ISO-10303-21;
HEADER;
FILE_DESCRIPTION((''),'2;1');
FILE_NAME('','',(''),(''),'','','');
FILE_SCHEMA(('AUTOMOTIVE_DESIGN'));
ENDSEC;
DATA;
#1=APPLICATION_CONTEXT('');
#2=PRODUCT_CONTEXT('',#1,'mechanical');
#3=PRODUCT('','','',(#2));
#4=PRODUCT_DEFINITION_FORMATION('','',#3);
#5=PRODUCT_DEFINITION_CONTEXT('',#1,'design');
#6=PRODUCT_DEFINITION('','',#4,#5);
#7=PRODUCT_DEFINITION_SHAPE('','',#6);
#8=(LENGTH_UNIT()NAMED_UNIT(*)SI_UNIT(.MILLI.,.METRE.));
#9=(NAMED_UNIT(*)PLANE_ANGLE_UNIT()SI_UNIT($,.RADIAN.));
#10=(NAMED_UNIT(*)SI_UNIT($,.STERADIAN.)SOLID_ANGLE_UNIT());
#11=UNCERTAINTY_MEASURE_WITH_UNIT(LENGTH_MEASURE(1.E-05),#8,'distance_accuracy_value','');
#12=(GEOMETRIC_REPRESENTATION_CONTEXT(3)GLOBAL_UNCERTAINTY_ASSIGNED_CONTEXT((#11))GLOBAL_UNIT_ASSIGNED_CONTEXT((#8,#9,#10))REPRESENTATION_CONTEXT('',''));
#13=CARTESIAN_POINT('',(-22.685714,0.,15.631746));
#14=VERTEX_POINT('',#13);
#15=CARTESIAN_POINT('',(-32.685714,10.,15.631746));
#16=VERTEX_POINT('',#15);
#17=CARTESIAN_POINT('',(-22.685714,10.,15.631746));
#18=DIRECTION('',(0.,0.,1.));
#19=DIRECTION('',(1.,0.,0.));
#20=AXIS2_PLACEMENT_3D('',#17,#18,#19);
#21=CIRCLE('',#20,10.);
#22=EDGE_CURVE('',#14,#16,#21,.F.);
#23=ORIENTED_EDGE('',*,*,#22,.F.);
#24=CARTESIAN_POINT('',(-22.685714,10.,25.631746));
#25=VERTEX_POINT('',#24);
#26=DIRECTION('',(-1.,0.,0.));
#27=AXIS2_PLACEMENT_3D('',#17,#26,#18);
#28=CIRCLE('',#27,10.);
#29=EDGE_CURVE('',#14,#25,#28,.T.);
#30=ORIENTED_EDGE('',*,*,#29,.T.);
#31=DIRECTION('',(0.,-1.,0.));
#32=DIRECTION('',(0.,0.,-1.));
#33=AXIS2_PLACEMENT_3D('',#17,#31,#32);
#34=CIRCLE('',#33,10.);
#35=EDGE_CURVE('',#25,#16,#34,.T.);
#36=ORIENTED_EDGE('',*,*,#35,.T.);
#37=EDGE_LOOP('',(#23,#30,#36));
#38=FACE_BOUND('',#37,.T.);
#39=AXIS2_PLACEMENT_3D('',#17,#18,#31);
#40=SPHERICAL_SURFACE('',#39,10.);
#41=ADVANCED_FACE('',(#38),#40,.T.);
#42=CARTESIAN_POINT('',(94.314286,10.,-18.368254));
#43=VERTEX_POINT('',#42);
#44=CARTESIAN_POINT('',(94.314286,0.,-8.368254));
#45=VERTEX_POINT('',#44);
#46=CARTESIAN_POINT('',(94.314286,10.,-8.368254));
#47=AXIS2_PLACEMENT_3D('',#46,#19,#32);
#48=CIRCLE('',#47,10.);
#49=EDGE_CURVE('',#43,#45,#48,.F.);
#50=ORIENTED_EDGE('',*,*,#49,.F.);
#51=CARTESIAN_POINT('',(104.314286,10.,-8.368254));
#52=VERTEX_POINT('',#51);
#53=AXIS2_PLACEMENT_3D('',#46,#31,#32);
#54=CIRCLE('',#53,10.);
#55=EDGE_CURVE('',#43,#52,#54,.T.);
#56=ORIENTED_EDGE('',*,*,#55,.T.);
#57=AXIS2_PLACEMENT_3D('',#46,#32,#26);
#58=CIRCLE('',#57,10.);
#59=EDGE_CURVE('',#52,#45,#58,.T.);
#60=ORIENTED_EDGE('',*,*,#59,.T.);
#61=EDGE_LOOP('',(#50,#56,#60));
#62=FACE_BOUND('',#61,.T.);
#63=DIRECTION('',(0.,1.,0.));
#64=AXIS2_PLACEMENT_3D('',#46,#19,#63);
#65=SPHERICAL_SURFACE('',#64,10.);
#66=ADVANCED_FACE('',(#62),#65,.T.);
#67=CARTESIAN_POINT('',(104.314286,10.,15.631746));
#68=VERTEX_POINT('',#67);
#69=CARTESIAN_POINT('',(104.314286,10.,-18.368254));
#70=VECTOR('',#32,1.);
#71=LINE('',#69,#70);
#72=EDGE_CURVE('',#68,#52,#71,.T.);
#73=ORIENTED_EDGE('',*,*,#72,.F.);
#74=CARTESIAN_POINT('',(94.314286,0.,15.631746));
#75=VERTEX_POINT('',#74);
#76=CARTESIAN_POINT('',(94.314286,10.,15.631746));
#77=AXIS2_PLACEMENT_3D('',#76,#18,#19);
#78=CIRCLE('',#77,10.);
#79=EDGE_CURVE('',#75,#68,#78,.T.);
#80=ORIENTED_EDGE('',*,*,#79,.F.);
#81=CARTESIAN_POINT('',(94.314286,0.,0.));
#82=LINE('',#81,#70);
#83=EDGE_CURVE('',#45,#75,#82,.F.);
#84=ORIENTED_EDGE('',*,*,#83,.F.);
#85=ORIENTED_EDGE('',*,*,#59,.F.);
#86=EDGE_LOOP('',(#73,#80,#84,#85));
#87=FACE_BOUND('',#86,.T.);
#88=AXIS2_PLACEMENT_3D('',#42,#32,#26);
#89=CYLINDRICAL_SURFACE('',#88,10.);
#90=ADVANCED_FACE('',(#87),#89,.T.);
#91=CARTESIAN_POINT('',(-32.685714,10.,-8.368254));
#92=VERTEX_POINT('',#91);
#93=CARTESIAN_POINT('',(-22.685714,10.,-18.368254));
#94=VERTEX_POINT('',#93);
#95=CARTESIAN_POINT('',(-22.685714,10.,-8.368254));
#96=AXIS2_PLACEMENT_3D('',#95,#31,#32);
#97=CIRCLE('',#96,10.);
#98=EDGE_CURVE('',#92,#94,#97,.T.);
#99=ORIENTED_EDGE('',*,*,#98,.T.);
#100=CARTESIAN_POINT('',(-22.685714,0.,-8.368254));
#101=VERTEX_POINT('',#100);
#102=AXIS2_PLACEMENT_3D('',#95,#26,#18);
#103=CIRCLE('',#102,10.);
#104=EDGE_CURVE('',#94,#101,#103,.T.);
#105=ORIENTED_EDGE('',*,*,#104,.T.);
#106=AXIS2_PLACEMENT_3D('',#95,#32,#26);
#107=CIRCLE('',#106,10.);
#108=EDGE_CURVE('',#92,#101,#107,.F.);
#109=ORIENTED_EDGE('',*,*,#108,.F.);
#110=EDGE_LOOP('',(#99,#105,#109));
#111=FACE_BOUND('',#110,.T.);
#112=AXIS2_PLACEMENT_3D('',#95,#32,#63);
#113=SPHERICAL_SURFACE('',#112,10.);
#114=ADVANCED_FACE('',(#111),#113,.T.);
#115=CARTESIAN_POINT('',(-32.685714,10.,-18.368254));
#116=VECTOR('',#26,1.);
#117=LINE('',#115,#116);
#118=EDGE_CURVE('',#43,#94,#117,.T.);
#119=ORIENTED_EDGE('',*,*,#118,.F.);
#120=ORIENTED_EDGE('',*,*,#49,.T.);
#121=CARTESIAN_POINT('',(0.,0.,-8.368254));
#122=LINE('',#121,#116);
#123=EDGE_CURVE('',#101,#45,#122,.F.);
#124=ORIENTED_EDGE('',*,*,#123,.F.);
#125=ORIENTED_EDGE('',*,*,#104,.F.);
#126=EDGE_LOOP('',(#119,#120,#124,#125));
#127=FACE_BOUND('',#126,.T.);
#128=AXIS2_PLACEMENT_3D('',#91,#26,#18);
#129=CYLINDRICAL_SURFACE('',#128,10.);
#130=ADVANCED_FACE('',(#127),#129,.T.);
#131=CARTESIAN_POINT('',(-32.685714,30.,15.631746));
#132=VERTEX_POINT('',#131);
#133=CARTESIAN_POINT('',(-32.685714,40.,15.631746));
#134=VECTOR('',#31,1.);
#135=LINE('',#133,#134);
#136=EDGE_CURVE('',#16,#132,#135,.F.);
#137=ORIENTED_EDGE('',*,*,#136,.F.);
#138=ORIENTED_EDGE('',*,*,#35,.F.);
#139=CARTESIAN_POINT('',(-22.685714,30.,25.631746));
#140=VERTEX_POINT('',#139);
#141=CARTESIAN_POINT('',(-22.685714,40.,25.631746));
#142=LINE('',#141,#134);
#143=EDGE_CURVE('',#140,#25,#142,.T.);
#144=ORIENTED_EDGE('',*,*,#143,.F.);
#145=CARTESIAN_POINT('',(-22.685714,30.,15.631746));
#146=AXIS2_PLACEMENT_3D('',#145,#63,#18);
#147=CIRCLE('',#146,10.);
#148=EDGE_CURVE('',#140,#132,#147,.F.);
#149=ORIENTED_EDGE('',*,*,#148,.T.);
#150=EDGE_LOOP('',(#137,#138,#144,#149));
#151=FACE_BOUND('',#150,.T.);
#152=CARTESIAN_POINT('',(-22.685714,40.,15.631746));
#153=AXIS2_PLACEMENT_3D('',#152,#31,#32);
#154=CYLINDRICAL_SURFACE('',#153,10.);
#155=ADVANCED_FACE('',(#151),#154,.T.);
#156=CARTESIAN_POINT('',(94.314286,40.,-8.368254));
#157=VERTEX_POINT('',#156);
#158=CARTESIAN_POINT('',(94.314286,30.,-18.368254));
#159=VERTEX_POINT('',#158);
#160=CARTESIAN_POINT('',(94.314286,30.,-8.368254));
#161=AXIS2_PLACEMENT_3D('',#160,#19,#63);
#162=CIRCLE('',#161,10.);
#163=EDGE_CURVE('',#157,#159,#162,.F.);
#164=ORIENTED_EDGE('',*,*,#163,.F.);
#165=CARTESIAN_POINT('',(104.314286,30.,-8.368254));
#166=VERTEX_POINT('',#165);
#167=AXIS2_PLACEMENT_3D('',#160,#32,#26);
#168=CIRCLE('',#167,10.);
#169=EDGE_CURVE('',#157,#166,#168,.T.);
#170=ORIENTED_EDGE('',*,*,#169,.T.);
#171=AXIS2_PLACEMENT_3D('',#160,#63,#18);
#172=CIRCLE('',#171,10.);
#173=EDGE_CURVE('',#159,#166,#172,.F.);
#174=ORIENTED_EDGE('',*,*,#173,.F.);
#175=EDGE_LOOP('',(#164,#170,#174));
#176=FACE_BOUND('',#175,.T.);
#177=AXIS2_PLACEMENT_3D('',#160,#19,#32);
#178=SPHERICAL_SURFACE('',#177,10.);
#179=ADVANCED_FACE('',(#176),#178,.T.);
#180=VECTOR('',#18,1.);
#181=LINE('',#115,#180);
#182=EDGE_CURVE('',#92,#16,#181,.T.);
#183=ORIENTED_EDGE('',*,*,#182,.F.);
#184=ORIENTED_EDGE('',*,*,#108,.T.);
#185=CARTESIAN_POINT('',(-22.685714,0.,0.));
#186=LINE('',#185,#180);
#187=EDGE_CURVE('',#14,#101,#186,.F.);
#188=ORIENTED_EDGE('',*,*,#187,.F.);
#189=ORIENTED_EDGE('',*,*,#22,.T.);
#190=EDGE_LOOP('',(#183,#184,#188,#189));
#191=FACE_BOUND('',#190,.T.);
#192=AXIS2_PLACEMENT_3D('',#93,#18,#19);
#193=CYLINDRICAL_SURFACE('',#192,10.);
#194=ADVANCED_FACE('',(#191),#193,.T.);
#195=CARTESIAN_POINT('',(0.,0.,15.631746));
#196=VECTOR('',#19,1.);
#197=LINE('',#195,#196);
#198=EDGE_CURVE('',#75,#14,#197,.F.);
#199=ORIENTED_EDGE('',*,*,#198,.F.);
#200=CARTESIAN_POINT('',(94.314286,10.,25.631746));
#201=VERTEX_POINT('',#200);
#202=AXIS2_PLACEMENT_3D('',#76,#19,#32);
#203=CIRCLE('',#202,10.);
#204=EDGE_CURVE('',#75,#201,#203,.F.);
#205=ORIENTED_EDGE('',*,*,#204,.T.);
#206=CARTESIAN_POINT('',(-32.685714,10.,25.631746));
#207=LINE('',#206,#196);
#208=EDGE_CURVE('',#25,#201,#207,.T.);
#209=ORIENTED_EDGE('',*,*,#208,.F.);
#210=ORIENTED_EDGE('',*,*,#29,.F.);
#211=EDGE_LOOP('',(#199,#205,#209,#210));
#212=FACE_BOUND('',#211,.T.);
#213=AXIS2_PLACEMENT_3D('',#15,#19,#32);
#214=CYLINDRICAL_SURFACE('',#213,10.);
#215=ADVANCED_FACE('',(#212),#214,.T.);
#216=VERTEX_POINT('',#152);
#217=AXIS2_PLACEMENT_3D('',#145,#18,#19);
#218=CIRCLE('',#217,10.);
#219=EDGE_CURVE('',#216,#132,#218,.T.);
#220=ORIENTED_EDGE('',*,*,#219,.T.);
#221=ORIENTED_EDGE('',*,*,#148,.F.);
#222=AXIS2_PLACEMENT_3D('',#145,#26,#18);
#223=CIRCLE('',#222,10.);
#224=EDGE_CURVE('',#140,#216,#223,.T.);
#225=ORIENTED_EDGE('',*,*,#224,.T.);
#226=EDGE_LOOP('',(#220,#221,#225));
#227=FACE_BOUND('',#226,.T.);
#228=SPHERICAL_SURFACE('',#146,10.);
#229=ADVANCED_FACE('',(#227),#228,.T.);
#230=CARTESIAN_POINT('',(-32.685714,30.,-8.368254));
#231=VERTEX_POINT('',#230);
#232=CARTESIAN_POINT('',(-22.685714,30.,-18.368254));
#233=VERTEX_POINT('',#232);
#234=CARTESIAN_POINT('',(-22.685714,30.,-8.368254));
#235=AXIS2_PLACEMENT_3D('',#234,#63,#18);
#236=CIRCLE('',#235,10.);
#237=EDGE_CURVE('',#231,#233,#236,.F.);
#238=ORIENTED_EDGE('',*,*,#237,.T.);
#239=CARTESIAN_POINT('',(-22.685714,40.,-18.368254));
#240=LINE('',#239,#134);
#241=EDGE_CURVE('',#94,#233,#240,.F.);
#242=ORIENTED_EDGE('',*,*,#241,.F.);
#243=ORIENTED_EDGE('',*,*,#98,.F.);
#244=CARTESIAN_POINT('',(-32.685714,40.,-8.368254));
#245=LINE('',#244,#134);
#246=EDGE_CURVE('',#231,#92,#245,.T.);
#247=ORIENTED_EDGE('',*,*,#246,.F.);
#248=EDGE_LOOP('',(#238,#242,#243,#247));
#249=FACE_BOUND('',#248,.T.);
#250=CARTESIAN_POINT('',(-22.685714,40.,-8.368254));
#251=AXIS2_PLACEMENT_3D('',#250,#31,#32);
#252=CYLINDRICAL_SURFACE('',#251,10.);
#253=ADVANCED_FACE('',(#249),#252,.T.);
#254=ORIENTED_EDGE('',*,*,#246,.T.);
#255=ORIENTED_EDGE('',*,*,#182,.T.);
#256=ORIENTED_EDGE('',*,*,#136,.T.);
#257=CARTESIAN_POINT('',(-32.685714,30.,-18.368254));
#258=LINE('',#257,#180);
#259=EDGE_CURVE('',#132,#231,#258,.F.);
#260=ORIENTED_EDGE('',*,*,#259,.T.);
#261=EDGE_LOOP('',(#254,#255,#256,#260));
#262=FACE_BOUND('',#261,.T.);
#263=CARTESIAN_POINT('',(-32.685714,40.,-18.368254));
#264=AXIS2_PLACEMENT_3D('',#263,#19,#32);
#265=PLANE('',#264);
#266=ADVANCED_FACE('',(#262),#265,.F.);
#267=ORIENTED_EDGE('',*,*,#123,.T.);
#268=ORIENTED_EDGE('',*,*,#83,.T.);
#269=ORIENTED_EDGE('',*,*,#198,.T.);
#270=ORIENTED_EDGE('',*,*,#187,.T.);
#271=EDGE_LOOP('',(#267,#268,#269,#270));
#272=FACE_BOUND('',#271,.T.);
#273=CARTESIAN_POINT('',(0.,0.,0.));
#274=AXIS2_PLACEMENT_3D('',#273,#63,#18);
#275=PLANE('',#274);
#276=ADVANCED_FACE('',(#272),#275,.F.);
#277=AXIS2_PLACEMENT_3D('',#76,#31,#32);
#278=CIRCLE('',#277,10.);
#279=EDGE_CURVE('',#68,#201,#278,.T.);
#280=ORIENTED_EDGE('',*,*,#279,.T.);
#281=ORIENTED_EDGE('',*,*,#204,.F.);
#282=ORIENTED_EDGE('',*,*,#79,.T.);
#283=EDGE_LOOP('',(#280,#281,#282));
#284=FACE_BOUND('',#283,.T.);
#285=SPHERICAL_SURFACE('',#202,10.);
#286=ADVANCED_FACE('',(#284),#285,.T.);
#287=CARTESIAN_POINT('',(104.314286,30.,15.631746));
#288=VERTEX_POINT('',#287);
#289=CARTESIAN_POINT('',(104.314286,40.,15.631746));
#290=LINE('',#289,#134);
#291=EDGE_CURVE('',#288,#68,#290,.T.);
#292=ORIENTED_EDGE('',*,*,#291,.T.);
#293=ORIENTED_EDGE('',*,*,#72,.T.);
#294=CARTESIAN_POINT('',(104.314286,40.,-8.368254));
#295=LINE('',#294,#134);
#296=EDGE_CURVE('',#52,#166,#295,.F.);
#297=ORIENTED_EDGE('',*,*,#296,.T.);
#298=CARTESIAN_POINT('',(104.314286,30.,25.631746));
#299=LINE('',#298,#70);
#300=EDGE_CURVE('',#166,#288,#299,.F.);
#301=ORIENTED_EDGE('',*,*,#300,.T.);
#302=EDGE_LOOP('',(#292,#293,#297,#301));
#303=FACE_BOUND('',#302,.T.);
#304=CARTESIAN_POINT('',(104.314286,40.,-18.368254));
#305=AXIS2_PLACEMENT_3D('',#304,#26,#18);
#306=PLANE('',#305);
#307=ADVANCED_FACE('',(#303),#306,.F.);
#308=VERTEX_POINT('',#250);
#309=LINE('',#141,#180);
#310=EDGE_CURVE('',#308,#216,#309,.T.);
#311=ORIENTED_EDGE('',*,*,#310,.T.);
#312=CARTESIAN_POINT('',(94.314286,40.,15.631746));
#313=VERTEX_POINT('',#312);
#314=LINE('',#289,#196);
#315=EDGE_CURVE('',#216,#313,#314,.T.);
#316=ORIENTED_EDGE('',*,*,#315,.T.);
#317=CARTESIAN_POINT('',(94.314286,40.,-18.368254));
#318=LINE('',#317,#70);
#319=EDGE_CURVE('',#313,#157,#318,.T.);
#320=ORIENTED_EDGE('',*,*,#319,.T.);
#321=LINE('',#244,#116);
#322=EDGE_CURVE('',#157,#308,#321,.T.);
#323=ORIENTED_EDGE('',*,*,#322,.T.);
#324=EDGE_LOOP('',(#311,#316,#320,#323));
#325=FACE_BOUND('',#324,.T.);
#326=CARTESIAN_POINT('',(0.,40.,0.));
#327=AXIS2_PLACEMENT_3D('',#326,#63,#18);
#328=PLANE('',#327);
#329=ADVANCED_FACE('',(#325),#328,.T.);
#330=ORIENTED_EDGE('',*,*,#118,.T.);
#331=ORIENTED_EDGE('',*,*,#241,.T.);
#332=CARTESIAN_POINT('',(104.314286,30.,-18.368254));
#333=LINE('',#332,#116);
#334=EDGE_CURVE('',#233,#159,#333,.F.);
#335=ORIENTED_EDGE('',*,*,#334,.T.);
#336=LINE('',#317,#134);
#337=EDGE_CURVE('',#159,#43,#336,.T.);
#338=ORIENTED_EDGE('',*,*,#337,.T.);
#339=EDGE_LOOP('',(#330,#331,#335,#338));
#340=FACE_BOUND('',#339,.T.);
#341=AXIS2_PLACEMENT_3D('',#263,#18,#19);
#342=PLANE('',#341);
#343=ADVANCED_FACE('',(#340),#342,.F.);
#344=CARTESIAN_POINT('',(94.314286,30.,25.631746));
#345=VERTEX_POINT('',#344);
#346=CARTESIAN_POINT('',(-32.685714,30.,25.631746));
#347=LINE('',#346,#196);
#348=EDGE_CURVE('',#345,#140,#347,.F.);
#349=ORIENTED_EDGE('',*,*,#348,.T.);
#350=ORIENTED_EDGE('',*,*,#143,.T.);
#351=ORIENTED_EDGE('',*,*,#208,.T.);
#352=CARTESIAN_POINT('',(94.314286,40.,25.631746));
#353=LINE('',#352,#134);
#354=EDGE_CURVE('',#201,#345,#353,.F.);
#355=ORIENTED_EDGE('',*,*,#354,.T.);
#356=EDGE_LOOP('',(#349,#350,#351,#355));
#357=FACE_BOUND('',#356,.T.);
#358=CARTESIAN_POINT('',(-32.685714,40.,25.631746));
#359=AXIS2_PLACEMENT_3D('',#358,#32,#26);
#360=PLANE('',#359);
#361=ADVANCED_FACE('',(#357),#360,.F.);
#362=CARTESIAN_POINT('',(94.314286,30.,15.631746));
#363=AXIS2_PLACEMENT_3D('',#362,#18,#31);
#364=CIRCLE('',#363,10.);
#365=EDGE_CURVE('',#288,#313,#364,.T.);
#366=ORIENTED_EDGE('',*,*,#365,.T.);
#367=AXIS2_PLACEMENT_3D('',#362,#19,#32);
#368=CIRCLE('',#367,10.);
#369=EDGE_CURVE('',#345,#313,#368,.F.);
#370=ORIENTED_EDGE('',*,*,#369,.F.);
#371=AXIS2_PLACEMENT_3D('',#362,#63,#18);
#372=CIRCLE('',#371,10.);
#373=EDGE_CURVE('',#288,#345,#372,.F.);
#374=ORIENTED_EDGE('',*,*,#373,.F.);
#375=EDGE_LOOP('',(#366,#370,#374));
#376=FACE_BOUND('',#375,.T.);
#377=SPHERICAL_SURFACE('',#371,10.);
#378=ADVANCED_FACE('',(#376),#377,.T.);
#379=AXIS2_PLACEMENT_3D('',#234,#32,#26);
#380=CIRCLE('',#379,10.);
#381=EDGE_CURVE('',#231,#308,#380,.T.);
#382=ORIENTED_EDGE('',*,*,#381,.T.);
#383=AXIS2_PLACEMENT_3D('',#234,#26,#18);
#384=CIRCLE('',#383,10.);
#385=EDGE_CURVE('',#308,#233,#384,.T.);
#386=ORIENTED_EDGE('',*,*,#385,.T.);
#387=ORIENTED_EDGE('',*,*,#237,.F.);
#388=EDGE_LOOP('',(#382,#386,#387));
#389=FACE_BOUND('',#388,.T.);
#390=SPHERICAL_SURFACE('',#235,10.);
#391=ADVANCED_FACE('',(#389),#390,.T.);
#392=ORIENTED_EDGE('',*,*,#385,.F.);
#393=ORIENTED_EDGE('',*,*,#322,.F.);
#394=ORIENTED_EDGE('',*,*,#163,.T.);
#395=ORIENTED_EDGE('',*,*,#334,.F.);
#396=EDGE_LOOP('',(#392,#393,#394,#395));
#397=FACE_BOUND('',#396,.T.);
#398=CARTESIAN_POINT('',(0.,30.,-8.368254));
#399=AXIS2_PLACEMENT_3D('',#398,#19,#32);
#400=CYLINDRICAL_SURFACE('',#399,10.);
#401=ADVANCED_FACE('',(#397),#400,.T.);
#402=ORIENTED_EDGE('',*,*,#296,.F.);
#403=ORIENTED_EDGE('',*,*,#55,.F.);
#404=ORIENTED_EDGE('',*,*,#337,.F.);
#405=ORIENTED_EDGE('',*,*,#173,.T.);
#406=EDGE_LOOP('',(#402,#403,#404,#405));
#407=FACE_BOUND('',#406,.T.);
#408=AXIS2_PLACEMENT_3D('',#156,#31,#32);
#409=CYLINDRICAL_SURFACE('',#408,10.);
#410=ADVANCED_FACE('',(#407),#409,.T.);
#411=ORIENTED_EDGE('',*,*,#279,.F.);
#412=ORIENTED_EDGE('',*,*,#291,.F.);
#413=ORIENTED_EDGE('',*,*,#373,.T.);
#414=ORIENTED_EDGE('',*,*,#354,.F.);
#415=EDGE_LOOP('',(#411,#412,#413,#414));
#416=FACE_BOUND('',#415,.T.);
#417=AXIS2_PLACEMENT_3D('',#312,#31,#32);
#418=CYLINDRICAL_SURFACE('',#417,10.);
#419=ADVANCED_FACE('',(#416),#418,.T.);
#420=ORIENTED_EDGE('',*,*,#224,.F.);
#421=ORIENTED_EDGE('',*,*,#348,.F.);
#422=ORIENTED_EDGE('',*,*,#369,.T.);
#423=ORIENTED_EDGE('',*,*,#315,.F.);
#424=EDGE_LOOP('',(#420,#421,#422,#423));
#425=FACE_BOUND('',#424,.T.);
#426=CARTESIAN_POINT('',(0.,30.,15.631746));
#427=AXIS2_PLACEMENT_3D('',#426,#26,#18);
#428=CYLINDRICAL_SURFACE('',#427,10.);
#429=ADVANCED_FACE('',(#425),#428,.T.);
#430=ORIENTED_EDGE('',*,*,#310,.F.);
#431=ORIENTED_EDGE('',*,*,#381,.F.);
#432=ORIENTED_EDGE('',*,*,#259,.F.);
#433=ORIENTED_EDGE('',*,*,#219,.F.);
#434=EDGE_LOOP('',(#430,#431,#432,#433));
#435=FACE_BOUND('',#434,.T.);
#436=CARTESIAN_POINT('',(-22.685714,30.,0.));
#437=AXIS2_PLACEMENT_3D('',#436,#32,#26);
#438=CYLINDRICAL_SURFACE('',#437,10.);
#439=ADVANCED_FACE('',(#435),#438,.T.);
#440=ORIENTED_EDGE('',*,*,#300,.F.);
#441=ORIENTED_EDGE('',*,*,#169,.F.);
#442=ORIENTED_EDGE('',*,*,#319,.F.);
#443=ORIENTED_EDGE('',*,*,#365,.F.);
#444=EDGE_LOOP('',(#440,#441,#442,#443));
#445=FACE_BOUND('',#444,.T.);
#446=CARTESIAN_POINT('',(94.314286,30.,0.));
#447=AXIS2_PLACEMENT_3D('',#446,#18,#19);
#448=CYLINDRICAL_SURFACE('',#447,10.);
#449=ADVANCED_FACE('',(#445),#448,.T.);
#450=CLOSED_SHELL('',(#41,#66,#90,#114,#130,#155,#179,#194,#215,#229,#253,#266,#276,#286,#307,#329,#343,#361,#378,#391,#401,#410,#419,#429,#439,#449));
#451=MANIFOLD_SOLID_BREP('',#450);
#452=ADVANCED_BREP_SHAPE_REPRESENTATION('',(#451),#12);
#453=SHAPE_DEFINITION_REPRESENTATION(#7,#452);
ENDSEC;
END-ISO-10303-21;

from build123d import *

# Parameters (mm, degrees)
SKETCH1_W           = 137
SKETCH1_H           = 44
BOSS_EXTRUDE1_DEPTH = 40
FILLET1_R           = 10


with BuildPart() as part:
    # Sketch1 → Boss-Extrude1 (new body)
    with BuildSketch(Plane(origin=(0, 0, 0), x_dir=(1, 0, 0), z_dir=(0, 1, 0))):
        with Locations((35.814285714, -3.631746032)):
            Rectangle(SKETCH1_W, SKETCH1_H)
    extrude(amount=BOSS_EXTRUDE1_DEPTH)

    # Fillet1
    fillet1_edges = [part.edges().sort_by_distance(p)[0] for p in [
        (104.314285714, 40, 3.631746032),
        (35.814285714, 40, -18.368253968),
        (-32.685714286, 40, 3.631746032),
        (35.814285714, 0, -18.368253968),
        (104.314285714, 0, 3.631746032),
        (35.814285714, 0, 25.631746032),
        (-32.685714286, 0, 3.631746032),
        (-32.685714286, 20, -18.368253968),
        (104.314285714, 20, -18.368253968),
        (104.314285714, 20, 25.631746032),
        (-32.685714286, 20, 25.631746032),
        (35.814285714, 40, 25.631746032),
    ]]
    fillet(fillet1_edges, radius=FILLET1_R)


solid = part.part
